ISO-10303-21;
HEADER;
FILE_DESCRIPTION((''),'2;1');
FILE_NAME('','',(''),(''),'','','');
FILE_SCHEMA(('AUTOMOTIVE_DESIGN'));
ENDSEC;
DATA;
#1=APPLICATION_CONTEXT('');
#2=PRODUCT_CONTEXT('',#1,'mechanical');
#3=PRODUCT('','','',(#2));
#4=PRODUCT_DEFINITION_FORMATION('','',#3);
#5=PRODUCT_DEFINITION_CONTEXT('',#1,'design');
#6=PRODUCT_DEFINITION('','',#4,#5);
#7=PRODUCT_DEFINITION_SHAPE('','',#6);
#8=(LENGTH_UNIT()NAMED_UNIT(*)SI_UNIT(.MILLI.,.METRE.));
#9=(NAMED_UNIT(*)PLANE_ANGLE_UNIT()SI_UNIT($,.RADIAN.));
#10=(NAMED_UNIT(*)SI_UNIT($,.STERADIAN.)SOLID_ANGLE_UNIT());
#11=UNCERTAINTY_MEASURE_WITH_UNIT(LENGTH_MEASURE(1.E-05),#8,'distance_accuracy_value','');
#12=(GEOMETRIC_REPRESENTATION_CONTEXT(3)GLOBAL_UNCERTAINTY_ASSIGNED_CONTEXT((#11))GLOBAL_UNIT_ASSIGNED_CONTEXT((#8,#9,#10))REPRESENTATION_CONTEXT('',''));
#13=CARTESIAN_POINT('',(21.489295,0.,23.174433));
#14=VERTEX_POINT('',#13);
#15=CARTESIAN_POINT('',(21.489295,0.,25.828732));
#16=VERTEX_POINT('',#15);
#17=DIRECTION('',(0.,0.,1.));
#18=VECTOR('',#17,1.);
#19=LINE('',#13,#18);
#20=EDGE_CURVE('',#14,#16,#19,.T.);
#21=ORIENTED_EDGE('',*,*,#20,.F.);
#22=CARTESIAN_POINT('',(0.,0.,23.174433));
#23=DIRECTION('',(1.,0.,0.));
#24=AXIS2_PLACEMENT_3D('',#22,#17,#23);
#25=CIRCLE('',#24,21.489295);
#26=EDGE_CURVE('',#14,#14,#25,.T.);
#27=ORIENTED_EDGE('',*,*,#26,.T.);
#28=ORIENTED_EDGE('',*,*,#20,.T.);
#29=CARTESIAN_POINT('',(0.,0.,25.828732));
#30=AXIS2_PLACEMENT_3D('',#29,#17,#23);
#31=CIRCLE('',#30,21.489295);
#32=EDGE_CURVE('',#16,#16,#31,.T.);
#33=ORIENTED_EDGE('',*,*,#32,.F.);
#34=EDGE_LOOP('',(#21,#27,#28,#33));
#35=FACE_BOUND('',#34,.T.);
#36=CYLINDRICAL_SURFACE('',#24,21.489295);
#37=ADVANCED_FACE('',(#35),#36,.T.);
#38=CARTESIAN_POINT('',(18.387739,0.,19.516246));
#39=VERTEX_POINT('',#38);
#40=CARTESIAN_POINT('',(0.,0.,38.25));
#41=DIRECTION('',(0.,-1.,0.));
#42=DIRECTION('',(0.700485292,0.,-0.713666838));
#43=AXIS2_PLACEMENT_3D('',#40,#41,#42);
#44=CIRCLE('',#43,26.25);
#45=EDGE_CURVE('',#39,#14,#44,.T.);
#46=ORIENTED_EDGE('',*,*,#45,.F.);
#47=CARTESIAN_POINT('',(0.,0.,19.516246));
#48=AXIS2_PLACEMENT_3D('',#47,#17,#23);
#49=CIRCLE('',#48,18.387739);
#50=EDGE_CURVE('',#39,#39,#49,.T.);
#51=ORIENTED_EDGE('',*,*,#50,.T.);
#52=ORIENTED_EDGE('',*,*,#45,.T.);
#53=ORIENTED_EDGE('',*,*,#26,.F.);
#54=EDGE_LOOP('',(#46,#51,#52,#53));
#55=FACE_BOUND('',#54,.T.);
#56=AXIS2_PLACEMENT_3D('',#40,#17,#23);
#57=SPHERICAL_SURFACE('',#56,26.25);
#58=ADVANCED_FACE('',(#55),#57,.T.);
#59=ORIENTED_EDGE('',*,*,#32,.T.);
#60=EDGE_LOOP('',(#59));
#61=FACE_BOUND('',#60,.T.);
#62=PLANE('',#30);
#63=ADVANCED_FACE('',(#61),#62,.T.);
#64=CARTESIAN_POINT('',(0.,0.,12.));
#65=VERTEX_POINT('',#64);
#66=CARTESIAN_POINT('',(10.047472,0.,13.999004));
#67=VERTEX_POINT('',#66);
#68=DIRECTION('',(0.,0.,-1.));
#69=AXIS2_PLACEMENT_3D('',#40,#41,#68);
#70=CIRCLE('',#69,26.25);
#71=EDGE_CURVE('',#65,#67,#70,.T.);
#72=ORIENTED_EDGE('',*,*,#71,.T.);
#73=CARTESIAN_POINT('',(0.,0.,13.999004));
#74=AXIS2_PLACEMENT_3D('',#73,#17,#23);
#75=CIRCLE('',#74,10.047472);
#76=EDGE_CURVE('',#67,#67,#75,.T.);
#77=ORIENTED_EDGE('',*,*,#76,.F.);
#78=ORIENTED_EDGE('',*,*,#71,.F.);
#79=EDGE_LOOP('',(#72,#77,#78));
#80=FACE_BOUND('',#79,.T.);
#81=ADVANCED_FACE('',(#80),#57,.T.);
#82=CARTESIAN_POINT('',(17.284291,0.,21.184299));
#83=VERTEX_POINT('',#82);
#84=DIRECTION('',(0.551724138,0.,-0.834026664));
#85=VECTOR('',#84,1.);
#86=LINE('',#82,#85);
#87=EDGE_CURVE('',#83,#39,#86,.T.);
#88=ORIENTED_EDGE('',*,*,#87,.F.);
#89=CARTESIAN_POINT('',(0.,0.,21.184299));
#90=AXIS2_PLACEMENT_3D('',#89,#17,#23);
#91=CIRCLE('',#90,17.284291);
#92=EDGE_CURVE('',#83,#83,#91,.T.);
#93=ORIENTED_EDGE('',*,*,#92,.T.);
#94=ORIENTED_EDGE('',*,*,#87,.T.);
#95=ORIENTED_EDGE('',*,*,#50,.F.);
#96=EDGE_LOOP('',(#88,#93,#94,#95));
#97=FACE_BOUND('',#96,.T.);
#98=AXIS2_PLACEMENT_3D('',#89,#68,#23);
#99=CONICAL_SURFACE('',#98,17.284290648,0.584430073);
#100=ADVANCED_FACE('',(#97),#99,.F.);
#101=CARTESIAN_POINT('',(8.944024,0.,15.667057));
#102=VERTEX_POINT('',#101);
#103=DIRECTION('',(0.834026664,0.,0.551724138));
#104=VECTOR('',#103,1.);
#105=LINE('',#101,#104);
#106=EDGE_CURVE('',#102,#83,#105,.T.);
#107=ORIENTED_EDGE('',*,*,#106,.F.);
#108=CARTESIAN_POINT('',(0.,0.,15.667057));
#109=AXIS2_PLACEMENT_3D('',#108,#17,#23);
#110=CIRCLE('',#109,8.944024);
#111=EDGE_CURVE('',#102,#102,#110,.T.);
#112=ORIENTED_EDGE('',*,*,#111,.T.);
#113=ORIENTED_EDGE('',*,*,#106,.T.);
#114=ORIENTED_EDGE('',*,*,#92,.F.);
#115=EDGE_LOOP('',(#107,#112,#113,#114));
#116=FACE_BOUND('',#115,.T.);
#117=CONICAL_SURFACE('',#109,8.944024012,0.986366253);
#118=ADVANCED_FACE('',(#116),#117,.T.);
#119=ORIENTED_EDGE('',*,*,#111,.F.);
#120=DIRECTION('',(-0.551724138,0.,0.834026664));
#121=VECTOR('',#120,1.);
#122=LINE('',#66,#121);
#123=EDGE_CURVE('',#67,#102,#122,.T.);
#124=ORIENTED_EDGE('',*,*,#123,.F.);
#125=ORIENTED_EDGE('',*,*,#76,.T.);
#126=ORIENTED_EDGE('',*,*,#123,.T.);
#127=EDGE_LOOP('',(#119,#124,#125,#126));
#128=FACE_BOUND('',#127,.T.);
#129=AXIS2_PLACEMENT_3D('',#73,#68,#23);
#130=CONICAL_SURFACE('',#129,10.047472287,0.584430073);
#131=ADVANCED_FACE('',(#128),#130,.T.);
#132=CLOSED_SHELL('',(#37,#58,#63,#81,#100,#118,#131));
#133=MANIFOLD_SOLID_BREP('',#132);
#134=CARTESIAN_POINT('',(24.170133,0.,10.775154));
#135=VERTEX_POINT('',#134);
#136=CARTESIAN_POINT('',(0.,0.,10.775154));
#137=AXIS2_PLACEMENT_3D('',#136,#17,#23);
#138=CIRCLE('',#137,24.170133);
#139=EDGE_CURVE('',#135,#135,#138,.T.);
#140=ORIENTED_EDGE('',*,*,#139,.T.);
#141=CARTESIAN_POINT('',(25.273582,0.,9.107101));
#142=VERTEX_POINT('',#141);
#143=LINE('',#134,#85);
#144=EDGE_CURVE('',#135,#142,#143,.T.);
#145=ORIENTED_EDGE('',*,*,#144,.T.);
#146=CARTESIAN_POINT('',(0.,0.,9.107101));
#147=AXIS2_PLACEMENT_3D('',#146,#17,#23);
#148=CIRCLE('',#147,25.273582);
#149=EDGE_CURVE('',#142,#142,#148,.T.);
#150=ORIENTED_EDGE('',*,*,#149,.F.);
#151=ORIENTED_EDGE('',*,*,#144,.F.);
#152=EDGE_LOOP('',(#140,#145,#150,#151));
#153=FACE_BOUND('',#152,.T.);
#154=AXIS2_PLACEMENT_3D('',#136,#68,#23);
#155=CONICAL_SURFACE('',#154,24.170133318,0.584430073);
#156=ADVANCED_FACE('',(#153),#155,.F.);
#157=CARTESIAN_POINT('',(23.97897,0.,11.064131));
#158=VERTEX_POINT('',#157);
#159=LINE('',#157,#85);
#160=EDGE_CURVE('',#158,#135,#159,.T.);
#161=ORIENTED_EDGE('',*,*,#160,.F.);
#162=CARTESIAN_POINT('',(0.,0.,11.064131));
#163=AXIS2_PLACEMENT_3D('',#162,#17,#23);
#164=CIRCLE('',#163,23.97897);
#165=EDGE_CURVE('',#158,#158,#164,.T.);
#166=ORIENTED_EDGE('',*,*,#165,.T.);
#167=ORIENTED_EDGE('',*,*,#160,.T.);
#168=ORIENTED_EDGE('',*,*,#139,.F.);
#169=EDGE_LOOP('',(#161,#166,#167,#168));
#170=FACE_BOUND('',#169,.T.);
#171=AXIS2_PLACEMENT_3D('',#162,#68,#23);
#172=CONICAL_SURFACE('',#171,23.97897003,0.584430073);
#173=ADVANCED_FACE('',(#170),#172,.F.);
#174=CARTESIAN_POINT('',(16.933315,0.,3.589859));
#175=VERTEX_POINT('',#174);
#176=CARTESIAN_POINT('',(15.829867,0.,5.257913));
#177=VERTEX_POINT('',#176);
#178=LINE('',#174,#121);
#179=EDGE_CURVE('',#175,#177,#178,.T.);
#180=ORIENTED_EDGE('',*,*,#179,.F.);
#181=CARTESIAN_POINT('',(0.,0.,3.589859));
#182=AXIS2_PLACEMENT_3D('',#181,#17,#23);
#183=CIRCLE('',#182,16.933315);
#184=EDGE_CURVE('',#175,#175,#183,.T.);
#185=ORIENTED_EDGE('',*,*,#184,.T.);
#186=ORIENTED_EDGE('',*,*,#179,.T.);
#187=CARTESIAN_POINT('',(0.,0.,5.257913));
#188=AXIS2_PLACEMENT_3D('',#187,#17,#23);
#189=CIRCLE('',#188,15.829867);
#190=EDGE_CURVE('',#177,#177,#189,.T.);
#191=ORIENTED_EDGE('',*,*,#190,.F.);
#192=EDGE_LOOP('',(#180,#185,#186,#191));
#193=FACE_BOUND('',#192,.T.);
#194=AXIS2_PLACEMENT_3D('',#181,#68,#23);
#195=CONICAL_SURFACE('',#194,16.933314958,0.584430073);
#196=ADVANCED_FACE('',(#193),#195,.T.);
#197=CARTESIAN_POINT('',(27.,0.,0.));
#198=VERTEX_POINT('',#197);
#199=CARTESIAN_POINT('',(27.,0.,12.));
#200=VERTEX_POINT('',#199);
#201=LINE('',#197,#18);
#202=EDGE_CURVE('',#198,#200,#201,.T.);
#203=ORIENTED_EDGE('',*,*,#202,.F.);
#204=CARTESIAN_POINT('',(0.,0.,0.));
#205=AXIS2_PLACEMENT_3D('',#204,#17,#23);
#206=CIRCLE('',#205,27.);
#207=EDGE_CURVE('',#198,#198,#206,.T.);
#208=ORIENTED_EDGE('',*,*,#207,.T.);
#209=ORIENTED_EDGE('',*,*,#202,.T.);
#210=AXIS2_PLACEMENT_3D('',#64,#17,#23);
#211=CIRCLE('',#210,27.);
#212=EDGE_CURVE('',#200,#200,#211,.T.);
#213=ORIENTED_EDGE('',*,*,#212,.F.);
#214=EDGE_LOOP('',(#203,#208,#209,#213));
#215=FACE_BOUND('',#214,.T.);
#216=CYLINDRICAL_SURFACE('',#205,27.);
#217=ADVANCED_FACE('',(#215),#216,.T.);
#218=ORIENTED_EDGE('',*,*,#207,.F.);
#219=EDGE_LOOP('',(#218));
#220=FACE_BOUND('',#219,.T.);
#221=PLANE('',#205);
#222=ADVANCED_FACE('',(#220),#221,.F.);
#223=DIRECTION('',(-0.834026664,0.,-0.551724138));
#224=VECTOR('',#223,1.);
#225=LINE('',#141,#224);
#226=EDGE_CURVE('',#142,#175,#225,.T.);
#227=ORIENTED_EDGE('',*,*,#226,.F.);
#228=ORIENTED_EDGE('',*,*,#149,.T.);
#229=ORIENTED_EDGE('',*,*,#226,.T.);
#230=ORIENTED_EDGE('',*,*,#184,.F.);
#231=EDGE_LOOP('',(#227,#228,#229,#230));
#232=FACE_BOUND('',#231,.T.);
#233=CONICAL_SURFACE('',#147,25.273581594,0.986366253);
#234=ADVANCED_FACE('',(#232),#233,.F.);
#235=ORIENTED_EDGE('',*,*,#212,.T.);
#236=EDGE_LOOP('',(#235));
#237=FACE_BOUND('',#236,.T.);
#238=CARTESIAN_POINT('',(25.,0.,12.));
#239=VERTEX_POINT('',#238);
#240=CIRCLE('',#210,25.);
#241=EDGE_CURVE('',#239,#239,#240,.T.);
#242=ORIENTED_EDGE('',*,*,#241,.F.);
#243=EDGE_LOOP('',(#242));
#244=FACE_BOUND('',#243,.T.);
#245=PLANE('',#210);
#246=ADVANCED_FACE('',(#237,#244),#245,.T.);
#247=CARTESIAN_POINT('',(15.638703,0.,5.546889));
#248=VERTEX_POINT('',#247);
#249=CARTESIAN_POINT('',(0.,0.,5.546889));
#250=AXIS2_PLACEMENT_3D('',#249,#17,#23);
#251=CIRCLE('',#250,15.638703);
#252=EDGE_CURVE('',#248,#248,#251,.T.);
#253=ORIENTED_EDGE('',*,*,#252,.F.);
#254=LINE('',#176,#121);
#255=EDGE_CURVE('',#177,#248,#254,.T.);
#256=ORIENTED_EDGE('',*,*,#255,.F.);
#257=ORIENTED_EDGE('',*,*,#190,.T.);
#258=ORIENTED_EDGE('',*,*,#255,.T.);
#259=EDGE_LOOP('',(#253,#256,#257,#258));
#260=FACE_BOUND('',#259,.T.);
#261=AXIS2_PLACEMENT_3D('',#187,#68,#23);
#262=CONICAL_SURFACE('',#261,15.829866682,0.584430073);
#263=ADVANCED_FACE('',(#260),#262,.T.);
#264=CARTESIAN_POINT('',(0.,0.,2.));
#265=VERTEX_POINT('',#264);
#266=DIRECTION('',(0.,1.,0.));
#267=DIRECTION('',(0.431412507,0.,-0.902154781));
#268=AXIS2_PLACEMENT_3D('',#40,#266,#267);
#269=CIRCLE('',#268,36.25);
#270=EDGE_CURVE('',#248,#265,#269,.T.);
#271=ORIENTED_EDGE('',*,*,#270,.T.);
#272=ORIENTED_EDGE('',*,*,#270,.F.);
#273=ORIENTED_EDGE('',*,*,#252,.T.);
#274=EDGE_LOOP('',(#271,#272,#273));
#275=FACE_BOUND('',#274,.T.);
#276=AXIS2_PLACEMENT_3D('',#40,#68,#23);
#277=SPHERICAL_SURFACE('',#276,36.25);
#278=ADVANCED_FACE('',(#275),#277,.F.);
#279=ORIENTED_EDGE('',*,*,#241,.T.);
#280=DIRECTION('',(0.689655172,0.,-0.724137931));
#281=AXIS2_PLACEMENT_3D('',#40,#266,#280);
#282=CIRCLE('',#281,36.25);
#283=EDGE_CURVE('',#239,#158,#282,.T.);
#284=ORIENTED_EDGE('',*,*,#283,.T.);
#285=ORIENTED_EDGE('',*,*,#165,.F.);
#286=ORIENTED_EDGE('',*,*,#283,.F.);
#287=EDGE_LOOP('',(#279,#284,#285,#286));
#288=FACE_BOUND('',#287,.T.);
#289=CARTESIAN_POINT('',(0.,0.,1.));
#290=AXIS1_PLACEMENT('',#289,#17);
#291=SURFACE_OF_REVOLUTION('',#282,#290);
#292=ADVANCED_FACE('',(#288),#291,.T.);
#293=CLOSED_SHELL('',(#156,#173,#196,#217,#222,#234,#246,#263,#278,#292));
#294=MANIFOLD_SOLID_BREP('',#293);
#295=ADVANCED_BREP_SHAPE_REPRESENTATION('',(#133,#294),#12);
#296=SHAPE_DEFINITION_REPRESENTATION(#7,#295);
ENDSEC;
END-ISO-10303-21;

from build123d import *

# Parameters (mm, degrees)
F1_R     = 5
F2_DEPTH = 2


with BuildPart() as f2:
    # F1 (on Top) → F2 (new body)
    with BuildSketch(Plane.XY):
        Circle(F1_R)
    extrude(amount=F2_DEPTH)

    # F3 (on Front) → F4 (revolve)
    with BuildSketch(Plane.XZ):
        with BuildLine():
            Line((0, 2), (0, 0))
            Line((0, 0), (25, 0))
            Line((25, 0), (27, 0))
            Line((27, 0), (27, 12))
            Line((27, 12), (25, 12))
            ThreePointArc((25, 12), (24.4939551563, 11.5271883815), (23.9789700303, 11.064130577))
            Line((23.9789700303, 11.064130577), (24.1701333181, 10.7751541335))
            Line((24.1701333181, 10.7751541335), (25.2735815939, 9.1071008063))
            Line((25.2735815939, 9.1071008063), (16.9333149578, 3.589859427))
            Line((16.9333149578, 3.589859427), (15.8298666819, 5.2579127542))
            Line((15.8298666819, 5.2579127542), (15.6387033941, 5.5468891976))
            ThreePointArc((15.6387033941, 5.5468891976), (8.0179403033, 2.8978411792), (0, 2))
        make_face()
    revolve(axis=Axis((0, 0, 1), (0, 0, 1)))


with BuildPart() as f4:
    # F3 (on Front) → F4, piece 2 (revolve)
    with BuildSketch(Plane.XZ):
        with BuildLine():
            Line((0, 25.8287321776), (0, 12))
            ThreePointArc((0, 12), (5.1221996467, 12.5046009784), (10.0474722875, 13.9990041311))
            Line((10.0474722875, 13.9990041311), (8.9440240116, 15.6670574584))
            Line((8.9440240116, 15.6670574584), (17.2842906478, 21.1842988377))
            Line((17.2842906478, 21.1842988377), (18.3877389237, 19.5162455104))
            ThreePointArc((18.3877389237, 19.5162455104), (20.0222385673, 21.2743567793), (21.4892947103, 23.1744332494))
            Line((21.4892947103, 23.1744332494), (21.4892947103, 25.8287321776))
            Line((21.4892947103, 25.8287321776), (0, 25.8287321776))
        make_face()
    revolve(axis=Axis((0, 0, 1), (0, 0, 1)))


solid = Compound([f2.part, f4.part])
